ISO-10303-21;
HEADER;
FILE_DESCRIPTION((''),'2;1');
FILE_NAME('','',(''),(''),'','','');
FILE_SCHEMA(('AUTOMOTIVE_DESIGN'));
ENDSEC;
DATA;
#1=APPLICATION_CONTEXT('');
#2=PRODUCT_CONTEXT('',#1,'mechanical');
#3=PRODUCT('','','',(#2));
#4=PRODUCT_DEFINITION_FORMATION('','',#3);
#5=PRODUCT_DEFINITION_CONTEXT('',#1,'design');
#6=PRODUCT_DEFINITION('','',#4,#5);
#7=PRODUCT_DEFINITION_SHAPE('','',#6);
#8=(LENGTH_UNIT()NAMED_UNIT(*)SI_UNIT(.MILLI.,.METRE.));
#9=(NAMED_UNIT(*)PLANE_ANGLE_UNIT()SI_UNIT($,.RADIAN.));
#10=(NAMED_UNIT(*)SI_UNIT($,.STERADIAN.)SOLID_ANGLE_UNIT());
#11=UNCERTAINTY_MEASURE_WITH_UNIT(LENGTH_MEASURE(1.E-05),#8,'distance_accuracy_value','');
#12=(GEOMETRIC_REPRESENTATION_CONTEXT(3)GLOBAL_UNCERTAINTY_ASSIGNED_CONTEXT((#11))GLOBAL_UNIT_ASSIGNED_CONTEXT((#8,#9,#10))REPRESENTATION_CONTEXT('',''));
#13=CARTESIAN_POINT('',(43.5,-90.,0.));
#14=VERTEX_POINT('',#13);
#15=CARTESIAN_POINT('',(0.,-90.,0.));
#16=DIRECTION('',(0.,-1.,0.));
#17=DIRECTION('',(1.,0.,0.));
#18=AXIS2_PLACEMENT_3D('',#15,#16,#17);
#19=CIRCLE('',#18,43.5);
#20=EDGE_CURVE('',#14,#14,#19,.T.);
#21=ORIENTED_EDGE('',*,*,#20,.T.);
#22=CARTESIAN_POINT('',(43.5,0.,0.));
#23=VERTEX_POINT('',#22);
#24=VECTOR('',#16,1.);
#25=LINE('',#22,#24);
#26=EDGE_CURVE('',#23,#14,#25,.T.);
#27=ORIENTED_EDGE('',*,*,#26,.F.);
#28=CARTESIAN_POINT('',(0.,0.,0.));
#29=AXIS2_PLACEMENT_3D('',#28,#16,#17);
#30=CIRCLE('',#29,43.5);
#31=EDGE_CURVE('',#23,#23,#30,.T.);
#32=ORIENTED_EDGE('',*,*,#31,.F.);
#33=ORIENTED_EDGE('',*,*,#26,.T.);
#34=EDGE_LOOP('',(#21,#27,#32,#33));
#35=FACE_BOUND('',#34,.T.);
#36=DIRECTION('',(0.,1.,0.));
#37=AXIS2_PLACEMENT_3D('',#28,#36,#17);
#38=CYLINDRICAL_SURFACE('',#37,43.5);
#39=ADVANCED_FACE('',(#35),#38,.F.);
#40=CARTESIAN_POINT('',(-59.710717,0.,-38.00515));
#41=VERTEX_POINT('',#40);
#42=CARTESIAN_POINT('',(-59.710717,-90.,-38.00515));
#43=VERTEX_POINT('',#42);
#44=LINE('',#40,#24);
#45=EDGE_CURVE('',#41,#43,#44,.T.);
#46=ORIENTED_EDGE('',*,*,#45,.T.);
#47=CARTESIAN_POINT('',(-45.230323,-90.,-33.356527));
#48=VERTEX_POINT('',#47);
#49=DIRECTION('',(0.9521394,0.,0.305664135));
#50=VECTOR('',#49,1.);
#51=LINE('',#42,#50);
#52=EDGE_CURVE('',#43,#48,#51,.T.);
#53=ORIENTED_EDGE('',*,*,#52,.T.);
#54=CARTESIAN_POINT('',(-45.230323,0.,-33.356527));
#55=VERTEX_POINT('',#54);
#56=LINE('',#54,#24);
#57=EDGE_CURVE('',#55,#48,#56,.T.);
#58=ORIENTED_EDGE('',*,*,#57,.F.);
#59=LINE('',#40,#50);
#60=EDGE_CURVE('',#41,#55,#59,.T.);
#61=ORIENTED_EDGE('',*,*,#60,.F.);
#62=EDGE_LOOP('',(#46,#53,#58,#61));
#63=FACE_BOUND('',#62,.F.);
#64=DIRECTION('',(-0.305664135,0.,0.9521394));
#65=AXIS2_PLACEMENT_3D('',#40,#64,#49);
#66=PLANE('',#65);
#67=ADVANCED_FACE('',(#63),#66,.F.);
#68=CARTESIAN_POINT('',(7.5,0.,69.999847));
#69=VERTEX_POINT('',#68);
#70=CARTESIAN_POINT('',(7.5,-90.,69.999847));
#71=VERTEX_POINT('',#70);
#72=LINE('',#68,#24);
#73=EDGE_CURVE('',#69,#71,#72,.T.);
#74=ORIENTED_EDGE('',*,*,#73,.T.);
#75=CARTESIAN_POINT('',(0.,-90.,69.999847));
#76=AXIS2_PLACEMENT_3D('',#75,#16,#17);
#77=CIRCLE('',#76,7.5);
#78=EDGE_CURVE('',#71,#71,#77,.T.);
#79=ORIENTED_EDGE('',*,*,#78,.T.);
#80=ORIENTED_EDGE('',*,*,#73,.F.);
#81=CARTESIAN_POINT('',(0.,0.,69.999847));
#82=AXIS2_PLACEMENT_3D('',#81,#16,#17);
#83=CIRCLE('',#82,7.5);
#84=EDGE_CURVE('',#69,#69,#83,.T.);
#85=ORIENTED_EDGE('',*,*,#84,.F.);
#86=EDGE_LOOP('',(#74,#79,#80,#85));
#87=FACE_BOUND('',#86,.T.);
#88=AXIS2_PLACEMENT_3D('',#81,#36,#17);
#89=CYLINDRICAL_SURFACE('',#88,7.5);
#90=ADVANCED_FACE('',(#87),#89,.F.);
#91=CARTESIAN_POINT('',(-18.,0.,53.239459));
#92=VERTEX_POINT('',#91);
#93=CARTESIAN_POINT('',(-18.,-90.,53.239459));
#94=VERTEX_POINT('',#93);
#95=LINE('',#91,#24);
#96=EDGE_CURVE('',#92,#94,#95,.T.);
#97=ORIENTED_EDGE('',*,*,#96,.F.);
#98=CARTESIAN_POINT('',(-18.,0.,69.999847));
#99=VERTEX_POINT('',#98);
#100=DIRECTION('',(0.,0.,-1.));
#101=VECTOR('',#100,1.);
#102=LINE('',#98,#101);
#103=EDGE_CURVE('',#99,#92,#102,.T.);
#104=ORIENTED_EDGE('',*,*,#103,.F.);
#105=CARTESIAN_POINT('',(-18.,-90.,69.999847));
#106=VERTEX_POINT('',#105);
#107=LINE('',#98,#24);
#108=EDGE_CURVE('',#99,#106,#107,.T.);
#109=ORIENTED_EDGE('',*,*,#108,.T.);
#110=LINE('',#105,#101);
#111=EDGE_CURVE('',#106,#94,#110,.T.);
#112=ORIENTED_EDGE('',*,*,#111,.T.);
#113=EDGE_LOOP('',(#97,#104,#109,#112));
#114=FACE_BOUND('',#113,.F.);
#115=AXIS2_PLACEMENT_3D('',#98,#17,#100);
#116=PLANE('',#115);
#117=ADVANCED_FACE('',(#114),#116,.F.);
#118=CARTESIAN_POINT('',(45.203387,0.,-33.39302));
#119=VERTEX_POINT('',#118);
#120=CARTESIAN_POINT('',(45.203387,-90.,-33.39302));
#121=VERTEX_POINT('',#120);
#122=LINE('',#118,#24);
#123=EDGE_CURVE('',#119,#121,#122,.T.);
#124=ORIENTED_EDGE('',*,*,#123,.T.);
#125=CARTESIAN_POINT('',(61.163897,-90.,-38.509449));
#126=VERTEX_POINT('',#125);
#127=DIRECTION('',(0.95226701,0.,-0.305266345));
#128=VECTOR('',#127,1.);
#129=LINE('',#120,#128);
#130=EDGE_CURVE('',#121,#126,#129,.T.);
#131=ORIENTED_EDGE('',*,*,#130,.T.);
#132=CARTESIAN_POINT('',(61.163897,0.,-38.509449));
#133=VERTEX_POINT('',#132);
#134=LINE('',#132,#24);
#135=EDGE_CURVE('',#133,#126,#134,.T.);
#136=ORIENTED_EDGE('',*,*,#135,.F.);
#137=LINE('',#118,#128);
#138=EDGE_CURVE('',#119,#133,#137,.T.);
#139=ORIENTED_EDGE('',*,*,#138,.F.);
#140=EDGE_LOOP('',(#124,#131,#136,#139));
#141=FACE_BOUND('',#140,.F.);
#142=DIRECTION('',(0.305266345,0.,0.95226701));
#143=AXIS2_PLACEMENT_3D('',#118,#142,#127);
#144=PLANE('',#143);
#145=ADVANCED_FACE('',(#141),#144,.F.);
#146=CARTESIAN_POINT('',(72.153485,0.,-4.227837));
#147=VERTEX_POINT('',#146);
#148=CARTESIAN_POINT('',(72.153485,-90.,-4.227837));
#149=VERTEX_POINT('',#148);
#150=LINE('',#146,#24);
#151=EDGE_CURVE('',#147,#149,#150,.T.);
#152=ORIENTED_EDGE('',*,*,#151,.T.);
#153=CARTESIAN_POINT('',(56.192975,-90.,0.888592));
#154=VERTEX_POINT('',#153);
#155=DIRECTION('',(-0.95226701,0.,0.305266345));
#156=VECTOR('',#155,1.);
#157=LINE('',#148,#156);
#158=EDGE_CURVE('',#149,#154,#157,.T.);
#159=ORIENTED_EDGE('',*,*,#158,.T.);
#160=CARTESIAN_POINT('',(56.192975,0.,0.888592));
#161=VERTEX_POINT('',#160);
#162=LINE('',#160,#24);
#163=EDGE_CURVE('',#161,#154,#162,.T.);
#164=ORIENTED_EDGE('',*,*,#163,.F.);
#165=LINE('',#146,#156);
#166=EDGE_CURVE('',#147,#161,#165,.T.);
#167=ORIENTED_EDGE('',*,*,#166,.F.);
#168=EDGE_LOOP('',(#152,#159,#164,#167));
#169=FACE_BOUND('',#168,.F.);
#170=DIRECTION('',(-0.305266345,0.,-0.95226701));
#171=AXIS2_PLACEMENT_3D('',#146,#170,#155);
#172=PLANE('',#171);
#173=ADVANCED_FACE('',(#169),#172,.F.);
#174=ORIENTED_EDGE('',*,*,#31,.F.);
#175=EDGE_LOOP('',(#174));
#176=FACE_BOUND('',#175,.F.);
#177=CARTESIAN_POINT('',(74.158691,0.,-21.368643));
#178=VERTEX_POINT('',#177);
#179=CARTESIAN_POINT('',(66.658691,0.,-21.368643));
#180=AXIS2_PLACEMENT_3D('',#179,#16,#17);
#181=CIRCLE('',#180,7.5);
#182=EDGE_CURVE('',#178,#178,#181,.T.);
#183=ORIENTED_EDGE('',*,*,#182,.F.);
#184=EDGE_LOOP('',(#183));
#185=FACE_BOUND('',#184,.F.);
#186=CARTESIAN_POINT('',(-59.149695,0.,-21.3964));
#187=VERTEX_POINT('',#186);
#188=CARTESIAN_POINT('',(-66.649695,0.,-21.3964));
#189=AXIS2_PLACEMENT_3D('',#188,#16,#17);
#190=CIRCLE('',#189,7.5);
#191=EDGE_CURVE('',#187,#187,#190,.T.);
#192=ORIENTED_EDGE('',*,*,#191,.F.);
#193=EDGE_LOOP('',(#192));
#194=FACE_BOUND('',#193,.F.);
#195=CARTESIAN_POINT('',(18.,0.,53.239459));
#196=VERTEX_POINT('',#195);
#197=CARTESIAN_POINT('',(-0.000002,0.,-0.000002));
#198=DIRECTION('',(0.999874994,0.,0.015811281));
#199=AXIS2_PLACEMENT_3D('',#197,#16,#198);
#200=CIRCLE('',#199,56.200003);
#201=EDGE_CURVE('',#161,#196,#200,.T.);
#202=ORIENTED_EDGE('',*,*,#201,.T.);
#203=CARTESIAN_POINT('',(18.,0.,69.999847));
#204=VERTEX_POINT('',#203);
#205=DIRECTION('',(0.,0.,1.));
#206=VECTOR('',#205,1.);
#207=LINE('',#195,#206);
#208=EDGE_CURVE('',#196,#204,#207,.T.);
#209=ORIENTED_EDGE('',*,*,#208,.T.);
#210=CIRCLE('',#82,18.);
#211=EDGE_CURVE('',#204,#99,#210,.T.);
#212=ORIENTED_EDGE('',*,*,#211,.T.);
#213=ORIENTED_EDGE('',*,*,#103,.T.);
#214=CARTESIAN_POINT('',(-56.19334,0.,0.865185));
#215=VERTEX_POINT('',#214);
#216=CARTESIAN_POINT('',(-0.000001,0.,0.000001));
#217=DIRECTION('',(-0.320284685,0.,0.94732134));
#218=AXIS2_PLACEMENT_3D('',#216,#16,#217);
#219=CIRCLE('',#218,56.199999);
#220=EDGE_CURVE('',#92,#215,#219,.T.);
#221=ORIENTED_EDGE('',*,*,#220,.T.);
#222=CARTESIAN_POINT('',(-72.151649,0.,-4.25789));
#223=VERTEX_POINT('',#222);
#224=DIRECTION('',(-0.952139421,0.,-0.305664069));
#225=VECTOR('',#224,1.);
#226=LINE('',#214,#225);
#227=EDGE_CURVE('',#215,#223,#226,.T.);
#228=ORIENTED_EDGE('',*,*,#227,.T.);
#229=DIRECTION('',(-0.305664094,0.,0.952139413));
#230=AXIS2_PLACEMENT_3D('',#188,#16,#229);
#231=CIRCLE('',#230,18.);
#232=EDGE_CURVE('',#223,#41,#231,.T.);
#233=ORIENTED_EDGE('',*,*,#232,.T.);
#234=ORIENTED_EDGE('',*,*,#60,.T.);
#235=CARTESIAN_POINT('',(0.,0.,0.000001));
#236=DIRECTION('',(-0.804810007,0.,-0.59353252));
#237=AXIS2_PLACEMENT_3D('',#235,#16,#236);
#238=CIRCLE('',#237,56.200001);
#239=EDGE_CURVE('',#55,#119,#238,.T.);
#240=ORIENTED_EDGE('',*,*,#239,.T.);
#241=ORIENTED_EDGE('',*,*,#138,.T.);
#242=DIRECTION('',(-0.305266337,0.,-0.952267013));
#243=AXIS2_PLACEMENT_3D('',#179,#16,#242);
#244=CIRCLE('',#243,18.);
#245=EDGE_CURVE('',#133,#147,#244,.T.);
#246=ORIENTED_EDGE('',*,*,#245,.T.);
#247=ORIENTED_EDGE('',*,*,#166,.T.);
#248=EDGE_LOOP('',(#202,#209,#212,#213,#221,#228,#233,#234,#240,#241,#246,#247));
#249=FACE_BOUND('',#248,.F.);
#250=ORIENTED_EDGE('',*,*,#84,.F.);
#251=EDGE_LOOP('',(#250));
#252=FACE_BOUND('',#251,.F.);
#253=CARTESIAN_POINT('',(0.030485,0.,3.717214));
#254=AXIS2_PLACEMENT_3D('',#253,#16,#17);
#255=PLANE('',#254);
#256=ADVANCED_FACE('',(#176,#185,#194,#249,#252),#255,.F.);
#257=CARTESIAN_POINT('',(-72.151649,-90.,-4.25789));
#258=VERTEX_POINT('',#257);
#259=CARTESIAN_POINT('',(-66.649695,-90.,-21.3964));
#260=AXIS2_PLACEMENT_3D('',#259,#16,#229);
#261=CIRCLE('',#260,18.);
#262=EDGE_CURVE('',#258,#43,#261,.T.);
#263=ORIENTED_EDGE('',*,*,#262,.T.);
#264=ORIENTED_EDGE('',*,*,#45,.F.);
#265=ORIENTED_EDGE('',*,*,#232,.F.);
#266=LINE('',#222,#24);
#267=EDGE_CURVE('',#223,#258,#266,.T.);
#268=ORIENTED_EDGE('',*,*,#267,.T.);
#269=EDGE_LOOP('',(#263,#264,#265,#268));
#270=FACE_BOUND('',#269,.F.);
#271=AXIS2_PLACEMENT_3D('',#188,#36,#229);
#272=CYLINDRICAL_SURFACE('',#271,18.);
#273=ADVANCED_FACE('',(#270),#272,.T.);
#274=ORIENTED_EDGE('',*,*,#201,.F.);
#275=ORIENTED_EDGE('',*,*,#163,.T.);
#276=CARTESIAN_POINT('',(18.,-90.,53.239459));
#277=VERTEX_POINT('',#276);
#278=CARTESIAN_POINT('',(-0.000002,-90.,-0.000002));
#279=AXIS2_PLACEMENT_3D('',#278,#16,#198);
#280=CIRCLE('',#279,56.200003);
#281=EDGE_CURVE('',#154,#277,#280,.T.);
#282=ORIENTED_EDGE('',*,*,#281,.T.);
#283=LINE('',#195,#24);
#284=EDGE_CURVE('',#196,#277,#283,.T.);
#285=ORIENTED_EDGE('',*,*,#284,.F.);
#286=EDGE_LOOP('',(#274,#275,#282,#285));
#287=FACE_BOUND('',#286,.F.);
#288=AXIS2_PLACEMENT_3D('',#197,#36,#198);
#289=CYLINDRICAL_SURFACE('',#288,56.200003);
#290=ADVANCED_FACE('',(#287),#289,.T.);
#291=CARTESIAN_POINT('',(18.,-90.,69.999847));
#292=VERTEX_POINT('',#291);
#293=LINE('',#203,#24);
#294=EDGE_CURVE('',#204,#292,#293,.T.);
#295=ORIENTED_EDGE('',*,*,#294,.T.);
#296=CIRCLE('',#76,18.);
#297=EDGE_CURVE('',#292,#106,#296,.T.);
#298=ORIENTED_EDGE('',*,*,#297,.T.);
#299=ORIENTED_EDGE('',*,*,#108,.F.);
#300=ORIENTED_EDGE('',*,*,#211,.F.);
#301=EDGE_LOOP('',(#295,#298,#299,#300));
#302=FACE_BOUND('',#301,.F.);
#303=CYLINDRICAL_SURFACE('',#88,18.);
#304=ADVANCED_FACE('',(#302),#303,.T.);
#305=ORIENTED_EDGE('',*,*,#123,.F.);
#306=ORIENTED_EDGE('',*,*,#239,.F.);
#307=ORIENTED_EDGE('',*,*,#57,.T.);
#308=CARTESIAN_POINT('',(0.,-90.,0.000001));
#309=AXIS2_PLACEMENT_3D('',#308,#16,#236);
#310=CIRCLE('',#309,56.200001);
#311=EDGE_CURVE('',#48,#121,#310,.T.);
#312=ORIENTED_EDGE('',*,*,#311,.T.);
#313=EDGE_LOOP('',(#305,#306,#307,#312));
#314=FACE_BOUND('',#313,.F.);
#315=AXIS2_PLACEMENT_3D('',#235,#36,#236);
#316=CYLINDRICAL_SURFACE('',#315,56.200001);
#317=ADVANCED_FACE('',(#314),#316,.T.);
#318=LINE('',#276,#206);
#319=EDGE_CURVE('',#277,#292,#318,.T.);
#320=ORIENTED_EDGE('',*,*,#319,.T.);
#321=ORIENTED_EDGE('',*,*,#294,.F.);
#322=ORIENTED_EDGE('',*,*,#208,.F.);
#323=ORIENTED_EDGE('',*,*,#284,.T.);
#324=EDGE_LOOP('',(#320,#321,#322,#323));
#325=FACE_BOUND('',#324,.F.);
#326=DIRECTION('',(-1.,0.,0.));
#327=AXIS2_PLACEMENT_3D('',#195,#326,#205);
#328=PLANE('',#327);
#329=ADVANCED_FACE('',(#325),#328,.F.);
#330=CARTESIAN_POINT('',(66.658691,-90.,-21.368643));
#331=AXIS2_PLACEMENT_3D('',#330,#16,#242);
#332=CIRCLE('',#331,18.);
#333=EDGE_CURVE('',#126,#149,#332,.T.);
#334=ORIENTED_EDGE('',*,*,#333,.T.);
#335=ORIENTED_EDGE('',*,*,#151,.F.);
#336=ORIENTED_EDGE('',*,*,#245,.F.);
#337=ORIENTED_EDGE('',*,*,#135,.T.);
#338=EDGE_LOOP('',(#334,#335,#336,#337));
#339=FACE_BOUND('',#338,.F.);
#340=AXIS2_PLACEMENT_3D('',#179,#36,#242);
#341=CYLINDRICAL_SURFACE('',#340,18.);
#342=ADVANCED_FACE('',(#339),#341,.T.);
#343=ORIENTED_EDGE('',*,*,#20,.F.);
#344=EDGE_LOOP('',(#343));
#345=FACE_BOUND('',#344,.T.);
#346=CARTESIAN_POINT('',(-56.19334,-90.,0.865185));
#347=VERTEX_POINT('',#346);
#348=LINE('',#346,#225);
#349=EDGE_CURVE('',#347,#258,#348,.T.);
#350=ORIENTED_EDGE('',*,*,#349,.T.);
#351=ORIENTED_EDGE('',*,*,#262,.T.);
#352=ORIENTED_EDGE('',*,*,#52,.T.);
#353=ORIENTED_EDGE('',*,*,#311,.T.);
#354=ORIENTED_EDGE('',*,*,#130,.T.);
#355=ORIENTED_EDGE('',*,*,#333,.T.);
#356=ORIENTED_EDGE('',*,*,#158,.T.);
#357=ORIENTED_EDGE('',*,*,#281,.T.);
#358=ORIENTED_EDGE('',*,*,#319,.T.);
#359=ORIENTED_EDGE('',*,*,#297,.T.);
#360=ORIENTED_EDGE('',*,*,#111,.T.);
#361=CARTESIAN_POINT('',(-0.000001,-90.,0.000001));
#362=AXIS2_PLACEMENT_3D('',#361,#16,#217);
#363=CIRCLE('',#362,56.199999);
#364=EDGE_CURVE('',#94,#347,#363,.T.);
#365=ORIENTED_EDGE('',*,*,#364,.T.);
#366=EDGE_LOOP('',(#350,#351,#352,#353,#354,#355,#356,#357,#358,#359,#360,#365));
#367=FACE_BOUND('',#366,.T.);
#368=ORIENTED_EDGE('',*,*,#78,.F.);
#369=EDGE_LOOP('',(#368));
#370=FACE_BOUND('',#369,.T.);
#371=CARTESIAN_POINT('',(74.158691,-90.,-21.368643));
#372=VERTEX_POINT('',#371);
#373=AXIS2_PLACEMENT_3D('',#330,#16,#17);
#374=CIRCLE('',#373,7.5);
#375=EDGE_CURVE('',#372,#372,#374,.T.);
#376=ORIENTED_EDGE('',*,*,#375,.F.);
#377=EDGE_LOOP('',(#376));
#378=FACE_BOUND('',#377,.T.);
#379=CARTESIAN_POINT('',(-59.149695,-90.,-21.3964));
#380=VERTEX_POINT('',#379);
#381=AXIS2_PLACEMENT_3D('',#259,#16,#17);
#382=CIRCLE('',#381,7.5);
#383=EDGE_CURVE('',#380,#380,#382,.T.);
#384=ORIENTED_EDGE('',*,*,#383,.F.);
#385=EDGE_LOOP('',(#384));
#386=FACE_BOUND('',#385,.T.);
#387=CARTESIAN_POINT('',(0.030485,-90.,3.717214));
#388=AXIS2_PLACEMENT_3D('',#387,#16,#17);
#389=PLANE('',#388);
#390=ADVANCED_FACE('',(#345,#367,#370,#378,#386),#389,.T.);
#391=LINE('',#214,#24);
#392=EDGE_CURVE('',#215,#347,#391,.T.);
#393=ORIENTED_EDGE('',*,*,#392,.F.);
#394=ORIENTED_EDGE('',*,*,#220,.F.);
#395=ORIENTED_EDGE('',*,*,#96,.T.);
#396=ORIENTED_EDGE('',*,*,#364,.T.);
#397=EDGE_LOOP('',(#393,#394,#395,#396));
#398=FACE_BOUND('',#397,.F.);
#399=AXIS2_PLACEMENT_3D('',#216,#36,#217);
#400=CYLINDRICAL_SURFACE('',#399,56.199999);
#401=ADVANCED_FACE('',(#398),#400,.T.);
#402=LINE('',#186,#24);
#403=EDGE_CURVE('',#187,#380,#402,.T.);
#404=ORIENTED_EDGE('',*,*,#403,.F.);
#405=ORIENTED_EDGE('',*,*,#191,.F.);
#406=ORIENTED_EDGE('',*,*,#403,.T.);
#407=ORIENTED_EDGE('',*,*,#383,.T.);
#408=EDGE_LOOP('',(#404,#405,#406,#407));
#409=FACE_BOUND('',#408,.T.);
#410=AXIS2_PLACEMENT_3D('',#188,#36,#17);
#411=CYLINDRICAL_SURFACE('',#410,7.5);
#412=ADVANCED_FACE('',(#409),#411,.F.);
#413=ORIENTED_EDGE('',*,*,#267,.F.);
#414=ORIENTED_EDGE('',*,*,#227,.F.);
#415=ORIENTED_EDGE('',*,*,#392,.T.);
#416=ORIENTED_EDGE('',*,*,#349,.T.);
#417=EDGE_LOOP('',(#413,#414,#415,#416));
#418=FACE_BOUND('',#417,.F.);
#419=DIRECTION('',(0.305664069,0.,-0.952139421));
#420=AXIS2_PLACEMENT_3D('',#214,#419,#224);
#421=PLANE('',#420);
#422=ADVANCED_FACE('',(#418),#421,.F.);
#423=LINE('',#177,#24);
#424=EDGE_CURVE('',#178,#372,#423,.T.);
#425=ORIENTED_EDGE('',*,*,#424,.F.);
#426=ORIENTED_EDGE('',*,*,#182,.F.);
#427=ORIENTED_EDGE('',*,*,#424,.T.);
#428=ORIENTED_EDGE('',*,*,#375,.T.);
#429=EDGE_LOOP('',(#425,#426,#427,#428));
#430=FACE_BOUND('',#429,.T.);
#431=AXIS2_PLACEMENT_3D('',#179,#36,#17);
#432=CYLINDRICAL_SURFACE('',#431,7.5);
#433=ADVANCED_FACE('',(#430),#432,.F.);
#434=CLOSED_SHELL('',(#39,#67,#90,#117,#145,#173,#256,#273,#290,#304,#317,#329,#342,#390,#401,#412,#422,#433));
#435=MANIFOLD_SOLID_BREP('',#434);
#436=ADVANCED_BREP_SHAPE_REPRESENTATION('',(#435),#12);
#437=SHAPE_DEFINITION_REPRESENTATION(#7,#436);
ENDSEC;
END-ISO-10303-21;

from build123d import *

# Parameters (mm, degrees)
F0_R     = 7.5
F0_R_2   = 43.5
F1_DEPTH = 90


with BuildPart() as f1:
    # F0 (on Front) → F1 (new body)
    with BuildSketch(Plane.XZ):
        with BuildLine():
            Line((-59.710717, -38.00515), (-45.230323, -33.356527))
            ThreePointArc((-45.230323, -33.356527), (-0.022679, -56.199995), (45.203387, -33.39302))
            Line((45.203387, -33.39302), (61.163897, -38.509449))
            ThreePointArc((61.163897, -38.509449), (83.799497, -26.863437), (72.153485, -4.227837))
            Line((72.153485, -4.227837), (56.192975, 0.888592))
            ThreePointArc((56.192975, 0.888592), (45.401571, 33.123063), (18, 53.239459))
            Line((18, 53.239459), (18, 69.999847))
            ThreePointArc((18, 69.999847), (0, 87.999847), (-18, 69.999847))
            Line((-18, 69.999847), (-18, 53.239459))
            ThreePointArc((-18, 53.239459), (-45.408469, 33.113607), (-56.19334, 0.865185))
            Line((-56.19334, 0.865185), (-72.151649, -4.25789))
            ThreePointArc((-72.151649, -4.25789), (-83.538616, -27.622503), (-59.710717, -38.00515))
        make_face()
        with Locations((-66.649695, -21.3964)):
            Circle(F0_R, mode=Mode.SUBTRACT)
        Circle(F0_R_2, mode=Mode.SUBTRACT)
        with Locations((66.658691, -21.368643)):
            Circle(F0_R, mode=Mode.SUBTRACT)
        with Locations((0, 69.999847)):
            Circle(F0_R, mode=Mode.SUBTRACT)
    extrude(amount=F1_DEPTH)


solid = f1.part
